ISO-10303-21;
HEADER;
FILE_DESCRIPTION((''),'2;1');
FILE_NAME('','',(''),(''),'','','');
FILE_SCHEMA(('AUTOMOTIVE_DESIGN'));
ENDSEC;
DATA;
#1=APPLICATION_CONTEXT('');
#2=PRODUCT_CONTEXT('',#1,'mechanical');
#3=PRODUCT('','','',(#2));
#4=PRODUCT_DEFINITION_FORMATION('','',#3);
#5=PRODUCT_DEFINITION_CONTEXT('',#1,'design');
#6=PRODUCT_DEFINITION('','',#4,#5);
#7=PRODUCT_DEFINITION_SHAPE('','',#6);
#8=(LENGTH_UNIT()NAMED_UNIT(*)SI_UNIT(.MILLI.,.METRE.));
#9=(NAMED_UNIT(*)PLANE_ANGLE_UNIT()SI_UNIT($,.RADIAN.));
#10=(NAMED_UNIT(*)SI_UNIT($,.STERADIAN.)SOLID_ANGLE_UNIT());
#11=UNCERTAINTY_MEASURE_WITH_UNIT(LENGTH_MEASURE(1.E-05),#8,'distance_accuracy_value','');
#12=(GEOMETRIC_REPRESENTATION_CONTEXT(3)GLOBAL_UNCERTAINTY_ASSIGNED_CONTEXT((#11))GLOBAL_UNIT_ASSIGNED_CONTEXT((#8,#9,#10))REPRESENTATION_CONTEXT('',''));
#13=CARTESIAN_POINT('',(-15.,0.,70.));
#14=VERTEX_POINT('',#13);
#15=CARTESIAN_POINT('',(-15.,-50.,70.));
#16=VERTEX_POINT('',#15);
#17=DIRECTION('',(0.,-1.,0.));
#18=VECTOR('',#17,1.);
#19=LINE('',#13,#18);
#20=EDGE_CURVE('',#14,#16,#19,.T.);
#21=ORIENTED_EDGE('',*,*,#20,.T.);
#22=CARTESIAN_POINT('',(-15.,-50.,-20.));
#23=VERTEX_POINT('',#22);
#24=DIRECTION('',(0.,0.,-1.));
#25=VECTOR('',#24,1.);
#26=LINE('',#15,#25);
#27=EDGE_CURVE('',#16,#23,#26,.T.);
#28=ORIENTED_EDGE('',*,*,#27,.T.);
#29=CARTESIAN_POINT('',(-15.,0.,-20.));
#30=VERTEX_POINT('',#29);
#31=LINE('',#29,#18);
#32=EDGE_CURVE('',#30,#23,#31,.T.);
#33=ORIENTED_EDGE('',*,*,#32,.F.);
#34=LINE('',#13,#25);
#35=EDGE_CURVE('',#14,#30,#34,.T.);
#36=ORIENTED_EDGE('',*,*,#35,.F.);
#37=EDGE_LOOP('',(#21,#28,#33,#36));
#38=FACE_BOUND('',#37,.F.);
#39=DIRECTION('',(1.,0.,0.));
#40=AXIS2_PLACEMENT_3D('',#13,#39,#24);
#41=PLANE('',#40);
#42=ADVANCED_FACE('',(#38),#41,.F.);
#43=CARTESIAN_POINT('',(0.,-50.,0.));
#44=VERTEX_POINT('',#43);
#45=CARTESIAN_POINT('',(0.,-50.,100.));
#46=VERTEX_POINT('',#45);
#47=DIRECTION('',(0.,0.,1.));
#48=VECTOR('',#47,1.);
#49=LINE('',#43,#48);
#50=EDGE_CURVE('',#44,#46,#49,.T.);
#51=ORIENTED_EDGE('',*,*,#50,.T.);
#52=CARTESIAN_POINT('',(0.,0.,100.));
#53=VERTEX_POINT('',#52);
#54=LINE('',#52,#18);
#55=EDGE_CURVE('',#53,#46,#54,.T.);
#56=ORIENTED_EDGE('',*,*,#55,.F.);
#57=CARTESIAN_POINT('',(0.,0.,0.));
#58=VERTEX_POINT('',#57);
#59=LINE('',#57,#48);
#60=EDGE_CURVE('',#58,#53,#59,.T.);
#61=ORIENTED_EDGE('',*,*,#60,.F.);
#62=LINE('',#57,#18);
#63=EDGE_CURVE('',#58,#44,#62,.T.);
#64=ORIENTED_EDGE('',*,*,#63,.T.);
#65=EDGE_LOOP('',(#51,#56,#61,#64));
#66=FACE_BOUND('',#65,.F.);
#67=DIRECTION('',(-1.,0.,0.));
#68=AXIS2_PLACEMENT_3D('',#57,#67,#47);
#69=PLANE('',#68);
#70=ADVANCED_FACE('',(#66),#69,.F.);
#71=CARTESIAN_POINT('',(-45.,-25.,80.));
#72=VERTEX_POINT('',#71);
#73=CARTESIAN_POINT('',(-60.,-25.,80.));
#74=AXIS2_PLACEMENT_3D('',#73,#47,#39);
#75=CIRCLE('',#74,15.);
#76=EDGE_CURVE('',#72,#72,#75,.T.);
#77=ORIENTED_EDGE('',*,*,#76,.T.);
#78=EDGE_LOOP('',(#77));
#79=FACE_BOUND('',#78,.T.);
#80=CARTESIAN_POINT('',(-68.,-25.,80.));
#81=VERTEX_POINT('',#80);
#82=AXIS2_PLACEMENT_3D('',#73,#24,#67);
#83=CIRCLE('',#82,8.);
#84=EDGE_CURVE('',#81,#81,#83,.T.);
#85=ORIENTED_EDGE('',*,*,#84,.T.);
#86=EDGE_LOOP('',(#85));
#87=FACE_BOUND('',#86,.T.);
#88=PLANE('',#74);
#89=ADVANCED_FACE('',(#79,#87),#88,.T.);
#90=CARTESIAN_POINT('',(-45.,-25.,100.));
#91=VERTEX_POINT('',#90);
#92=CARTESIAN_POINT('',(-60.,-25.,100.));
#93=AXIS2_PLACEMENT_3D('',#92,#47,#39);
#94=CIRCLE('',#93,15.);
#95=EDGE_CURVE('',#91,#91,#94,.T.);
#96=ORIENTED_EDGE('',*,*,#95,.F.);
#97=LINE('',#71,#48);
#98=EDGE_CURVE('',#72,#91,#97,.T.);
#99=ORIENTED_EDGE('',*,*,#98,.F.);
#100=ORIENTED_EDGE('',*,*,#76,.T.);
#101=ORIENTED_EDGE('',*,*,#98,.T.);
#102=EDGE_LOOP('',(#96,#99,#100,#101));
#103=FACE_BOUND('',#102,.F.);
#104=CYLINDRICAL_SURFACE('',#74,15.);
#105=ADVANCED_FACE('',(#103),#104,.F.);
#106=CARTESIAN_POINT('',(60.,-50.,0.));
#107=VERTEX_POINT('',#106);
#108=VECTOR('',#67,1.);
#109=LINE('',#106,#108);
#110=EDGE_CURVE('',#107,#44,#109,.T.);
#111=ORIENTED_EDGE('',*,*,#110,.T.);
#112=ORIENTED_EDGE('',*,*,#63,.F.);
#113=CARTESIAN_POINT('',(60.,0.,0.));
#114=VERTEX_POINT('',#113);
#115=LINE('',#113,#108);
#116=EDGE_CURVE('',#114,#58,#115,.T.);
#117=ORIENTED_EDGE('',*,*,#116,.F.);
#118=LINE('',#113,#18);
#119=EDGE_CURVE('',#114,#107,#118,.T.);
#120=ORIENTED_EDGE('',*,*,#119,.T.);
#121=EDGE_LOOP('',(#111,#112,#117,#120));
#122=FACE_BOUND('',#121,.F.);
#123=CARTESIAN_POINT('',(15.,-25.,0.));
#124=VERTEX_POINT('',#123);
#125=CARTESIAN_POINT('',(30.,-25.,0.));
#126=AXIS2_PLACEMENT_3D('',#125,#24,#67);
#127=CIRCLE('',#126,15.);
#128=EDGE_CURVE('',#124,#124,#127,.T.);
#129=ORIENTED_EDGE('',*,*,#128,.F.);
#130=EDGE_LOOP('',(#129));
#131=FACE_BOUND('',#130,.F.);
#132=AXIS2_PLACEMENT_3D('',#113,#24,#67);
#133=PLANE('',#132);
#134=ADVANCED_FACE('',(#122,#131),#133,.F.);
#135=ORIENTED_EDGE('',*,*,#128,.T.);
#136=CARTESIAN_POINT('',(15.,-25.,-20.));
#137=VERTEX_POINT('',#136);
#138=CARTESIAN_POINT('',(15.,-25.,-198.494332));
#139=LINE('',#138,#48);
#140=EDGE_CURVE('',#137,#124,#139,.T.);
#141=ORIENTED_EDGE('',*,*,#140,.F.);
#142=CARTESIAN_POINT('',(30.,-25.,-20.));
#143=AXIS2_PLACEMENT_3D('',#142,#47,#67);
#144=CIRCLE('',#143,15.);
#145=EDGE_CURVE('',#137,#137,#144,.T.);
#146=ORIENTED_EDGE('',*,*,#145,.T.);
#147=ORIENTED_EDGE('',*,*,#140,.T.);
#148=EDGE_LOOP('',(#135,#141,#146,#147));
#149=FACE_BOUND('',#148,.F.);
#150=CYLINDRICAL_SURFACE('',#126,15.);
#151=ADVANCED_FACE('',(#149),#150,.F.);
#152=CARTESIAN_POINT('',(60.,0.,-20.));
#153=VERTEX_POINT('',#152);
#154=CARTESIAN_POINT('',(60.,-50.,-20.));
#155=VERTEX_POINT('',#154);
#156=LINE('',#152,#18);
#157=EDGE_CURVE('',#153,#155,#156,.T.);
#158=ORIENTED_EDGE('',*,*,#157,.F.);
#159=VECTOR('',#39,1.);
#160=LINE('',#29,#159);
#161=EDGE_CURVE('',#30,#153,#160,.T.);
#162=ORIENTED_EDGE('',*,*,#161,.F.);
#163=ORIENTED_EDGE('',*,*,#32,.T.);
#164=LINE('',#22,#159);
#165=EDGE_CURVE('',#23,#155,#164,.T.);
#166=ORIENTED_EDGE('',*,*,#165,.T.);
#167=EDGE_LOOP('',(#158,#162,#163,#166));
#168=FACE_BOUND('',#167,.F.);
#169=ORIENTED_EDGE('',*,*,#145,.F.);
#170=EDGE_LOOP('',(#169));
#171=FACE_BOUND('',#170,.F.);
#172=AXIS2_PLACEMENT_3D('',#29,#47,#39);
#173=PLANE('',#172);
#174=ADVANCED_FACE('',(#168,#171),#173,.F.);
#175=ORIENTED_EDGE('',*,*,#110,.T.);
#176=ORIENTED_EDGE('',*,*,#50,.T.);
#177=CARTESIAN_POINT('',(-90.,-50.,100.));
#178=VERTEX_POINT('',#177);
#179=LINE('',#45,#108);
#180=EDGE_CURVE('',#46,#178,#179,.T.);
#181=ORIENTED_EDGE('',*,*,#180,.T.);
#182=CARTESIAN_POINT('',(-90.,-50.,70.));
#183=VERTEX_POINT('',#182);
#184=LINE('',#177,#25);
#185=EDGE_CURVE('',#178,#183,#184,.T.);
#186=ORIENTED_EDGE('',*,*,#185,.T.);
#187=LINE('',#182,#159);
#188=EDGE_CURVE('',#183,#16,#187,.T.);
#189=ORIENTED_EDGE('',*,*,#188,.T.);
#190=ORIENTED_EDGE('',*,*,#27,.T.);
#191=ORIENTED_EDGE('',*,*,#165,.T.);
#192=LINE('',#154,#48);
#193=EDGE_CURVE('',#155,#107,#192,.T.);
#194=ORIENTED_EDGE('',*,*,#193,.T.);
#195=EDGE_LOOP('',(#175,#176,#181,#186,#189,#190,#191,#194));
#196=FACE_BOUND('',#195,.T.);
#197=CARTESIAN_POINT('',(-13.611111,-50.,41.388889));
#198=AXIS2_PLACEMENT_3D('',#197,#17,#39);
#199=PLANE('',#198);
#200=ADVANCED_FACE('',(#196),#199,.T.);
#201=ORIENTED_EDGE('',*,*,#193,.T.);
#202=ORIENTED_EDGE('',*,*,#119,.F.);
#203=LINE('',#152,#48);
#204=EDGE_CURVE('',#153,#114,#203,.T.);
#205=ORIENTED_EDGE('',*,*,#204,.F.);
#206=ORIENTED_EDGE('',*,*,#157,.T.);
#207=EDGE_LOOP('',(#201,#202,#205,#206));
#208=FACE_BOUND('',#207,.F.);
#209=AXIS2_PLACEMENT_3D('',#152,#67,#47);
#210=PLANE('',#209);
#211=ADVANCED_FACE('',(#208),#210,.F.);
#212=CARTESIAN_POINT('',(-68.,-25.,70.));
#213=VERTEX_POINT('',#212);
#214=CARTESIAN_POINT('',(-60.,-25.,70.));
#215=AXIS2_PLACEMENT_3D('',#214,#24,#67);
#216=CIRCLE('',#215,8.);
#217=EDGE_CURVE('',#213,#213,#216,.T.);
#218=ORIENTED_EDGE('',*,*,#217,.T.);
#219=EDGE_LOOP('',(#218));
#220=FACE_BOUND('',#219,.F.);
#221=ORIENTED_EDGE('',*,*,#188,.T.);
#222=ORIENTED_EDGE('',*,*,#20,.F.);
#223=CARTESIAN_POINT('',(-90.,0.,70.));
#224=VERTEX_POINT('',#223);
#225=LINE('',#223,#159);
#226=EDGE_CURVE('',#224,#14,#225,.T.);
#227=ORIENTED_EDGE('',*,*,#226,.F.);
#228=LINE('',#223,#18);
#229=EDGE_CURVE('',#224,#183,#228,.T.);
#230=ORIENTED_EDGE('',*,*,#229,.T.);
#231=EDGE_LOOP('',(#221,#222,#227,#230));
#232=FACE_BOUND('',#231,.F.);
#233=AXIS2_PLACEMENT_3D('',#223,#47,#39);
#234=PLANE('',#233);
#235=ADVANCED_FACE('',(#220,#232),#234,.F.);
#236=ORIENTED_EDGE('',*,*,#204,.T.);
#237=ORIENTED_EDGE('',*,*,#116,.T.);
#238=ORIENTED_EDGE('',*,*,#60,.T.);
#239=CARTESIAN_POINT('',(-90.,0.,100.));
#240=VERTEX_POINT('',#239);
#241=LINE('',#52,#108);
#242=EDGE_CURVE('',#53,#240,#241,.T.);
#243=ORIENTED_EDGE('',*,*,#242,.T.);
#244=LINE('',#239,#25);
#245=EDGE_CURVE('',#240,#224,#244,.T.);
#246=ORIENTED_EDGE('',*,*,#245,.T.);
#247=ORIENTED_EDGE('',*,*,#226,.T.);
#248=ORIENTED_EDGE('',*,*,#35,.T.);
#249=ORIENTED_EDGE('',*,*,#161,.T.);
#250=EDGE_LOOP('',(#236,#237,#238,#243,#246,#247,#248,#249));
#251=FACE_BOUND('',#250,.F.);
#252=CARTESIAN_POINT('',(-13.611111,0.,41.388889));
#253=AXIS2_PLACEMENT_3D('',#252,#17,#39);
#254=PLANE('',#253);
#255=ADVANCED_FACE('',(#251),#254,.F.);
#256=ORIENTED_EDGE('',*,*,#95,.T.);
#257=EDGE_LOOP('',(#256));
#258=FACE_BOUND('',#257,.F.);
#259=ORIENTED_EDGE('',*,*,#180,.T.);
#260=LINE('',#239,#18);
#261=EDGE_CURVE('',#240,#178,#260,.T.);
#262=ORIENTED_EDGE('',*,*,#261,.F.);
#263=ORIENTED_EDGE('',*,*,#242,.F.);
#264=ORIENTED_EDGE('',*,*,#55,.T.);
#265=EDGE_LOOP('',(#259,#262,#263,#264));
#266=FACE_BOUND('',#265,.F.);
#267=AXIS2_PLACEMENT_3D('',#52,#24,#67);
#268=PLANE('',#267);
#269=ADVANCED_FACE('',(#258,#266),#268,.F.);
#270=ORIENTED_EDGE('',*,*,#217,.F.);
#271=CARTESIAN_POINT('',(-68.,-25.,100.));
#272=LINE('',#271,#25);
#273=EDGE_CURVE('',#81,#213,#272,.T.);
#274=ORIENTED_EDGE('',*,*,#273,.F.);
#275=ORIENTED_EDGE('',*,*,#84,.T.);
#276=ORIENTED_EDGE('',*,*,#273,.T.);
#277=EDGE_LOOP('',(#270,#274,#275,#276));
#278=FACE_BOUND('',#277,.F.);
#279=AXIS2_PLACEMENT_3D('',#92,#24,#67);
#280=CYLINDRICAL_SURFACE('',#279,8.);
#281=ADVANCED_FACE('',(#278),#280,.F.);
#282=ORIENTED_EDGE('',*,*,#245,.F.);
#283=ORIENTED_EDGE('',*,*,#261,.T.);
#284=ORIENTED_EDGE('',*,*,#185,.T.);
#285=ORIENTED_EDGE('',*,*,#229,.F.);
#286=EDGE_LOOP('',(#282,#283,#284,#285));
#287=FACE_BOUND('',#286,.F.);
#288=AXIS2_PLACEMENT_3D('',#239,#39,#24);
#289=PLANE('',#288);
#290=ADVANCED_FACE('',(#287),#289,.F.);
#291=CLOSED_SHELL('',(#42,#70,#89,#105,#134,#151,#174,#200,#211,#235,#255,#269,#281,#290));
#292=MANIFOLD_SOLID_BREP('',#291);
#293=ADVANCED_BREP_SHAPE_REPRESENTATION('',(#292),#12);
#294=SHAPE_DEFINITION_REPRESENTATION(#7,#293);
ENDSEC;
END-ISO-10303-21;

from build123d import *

# Parameters (mm, degrees)
F1_DEPTH       = 50
F3_D           = 16
F3_CBORE_D     = 30
F3_CBORE_DEPTH = 20
F5_D           = 30
F5_CBORE_D     = 30
F5_CBORE_DEPTH = 20


with BuildPart() as f1:
    # F0 (on Front) → F1 (new body)
    with BuildSketch(Plane.XZ):
        Polygon((0, 100), (-90, 100), (-90, 70), (-15, 70), (-15, -20), (60, -20), (60, 0), (0, 0), align=None)
    extrude(amount=F1_DEPTH)

    # F3 (through all)
    with Locations(Plane.XY.offset(100)):
        with Locations((-60, -25)):
            CounterBoreHole(F3_D / 2, F3_CBORE_D / 2, F3_CBORE_DEPTH)

    # F5 (through all)
    with Locations(Plane.XY):
        with Locations((30, -25)):
            CounterBoreHole(F5_D / 2, F5_CBORE_D / 2, F5_CBORE_DEPTH)


solid = f1.part
